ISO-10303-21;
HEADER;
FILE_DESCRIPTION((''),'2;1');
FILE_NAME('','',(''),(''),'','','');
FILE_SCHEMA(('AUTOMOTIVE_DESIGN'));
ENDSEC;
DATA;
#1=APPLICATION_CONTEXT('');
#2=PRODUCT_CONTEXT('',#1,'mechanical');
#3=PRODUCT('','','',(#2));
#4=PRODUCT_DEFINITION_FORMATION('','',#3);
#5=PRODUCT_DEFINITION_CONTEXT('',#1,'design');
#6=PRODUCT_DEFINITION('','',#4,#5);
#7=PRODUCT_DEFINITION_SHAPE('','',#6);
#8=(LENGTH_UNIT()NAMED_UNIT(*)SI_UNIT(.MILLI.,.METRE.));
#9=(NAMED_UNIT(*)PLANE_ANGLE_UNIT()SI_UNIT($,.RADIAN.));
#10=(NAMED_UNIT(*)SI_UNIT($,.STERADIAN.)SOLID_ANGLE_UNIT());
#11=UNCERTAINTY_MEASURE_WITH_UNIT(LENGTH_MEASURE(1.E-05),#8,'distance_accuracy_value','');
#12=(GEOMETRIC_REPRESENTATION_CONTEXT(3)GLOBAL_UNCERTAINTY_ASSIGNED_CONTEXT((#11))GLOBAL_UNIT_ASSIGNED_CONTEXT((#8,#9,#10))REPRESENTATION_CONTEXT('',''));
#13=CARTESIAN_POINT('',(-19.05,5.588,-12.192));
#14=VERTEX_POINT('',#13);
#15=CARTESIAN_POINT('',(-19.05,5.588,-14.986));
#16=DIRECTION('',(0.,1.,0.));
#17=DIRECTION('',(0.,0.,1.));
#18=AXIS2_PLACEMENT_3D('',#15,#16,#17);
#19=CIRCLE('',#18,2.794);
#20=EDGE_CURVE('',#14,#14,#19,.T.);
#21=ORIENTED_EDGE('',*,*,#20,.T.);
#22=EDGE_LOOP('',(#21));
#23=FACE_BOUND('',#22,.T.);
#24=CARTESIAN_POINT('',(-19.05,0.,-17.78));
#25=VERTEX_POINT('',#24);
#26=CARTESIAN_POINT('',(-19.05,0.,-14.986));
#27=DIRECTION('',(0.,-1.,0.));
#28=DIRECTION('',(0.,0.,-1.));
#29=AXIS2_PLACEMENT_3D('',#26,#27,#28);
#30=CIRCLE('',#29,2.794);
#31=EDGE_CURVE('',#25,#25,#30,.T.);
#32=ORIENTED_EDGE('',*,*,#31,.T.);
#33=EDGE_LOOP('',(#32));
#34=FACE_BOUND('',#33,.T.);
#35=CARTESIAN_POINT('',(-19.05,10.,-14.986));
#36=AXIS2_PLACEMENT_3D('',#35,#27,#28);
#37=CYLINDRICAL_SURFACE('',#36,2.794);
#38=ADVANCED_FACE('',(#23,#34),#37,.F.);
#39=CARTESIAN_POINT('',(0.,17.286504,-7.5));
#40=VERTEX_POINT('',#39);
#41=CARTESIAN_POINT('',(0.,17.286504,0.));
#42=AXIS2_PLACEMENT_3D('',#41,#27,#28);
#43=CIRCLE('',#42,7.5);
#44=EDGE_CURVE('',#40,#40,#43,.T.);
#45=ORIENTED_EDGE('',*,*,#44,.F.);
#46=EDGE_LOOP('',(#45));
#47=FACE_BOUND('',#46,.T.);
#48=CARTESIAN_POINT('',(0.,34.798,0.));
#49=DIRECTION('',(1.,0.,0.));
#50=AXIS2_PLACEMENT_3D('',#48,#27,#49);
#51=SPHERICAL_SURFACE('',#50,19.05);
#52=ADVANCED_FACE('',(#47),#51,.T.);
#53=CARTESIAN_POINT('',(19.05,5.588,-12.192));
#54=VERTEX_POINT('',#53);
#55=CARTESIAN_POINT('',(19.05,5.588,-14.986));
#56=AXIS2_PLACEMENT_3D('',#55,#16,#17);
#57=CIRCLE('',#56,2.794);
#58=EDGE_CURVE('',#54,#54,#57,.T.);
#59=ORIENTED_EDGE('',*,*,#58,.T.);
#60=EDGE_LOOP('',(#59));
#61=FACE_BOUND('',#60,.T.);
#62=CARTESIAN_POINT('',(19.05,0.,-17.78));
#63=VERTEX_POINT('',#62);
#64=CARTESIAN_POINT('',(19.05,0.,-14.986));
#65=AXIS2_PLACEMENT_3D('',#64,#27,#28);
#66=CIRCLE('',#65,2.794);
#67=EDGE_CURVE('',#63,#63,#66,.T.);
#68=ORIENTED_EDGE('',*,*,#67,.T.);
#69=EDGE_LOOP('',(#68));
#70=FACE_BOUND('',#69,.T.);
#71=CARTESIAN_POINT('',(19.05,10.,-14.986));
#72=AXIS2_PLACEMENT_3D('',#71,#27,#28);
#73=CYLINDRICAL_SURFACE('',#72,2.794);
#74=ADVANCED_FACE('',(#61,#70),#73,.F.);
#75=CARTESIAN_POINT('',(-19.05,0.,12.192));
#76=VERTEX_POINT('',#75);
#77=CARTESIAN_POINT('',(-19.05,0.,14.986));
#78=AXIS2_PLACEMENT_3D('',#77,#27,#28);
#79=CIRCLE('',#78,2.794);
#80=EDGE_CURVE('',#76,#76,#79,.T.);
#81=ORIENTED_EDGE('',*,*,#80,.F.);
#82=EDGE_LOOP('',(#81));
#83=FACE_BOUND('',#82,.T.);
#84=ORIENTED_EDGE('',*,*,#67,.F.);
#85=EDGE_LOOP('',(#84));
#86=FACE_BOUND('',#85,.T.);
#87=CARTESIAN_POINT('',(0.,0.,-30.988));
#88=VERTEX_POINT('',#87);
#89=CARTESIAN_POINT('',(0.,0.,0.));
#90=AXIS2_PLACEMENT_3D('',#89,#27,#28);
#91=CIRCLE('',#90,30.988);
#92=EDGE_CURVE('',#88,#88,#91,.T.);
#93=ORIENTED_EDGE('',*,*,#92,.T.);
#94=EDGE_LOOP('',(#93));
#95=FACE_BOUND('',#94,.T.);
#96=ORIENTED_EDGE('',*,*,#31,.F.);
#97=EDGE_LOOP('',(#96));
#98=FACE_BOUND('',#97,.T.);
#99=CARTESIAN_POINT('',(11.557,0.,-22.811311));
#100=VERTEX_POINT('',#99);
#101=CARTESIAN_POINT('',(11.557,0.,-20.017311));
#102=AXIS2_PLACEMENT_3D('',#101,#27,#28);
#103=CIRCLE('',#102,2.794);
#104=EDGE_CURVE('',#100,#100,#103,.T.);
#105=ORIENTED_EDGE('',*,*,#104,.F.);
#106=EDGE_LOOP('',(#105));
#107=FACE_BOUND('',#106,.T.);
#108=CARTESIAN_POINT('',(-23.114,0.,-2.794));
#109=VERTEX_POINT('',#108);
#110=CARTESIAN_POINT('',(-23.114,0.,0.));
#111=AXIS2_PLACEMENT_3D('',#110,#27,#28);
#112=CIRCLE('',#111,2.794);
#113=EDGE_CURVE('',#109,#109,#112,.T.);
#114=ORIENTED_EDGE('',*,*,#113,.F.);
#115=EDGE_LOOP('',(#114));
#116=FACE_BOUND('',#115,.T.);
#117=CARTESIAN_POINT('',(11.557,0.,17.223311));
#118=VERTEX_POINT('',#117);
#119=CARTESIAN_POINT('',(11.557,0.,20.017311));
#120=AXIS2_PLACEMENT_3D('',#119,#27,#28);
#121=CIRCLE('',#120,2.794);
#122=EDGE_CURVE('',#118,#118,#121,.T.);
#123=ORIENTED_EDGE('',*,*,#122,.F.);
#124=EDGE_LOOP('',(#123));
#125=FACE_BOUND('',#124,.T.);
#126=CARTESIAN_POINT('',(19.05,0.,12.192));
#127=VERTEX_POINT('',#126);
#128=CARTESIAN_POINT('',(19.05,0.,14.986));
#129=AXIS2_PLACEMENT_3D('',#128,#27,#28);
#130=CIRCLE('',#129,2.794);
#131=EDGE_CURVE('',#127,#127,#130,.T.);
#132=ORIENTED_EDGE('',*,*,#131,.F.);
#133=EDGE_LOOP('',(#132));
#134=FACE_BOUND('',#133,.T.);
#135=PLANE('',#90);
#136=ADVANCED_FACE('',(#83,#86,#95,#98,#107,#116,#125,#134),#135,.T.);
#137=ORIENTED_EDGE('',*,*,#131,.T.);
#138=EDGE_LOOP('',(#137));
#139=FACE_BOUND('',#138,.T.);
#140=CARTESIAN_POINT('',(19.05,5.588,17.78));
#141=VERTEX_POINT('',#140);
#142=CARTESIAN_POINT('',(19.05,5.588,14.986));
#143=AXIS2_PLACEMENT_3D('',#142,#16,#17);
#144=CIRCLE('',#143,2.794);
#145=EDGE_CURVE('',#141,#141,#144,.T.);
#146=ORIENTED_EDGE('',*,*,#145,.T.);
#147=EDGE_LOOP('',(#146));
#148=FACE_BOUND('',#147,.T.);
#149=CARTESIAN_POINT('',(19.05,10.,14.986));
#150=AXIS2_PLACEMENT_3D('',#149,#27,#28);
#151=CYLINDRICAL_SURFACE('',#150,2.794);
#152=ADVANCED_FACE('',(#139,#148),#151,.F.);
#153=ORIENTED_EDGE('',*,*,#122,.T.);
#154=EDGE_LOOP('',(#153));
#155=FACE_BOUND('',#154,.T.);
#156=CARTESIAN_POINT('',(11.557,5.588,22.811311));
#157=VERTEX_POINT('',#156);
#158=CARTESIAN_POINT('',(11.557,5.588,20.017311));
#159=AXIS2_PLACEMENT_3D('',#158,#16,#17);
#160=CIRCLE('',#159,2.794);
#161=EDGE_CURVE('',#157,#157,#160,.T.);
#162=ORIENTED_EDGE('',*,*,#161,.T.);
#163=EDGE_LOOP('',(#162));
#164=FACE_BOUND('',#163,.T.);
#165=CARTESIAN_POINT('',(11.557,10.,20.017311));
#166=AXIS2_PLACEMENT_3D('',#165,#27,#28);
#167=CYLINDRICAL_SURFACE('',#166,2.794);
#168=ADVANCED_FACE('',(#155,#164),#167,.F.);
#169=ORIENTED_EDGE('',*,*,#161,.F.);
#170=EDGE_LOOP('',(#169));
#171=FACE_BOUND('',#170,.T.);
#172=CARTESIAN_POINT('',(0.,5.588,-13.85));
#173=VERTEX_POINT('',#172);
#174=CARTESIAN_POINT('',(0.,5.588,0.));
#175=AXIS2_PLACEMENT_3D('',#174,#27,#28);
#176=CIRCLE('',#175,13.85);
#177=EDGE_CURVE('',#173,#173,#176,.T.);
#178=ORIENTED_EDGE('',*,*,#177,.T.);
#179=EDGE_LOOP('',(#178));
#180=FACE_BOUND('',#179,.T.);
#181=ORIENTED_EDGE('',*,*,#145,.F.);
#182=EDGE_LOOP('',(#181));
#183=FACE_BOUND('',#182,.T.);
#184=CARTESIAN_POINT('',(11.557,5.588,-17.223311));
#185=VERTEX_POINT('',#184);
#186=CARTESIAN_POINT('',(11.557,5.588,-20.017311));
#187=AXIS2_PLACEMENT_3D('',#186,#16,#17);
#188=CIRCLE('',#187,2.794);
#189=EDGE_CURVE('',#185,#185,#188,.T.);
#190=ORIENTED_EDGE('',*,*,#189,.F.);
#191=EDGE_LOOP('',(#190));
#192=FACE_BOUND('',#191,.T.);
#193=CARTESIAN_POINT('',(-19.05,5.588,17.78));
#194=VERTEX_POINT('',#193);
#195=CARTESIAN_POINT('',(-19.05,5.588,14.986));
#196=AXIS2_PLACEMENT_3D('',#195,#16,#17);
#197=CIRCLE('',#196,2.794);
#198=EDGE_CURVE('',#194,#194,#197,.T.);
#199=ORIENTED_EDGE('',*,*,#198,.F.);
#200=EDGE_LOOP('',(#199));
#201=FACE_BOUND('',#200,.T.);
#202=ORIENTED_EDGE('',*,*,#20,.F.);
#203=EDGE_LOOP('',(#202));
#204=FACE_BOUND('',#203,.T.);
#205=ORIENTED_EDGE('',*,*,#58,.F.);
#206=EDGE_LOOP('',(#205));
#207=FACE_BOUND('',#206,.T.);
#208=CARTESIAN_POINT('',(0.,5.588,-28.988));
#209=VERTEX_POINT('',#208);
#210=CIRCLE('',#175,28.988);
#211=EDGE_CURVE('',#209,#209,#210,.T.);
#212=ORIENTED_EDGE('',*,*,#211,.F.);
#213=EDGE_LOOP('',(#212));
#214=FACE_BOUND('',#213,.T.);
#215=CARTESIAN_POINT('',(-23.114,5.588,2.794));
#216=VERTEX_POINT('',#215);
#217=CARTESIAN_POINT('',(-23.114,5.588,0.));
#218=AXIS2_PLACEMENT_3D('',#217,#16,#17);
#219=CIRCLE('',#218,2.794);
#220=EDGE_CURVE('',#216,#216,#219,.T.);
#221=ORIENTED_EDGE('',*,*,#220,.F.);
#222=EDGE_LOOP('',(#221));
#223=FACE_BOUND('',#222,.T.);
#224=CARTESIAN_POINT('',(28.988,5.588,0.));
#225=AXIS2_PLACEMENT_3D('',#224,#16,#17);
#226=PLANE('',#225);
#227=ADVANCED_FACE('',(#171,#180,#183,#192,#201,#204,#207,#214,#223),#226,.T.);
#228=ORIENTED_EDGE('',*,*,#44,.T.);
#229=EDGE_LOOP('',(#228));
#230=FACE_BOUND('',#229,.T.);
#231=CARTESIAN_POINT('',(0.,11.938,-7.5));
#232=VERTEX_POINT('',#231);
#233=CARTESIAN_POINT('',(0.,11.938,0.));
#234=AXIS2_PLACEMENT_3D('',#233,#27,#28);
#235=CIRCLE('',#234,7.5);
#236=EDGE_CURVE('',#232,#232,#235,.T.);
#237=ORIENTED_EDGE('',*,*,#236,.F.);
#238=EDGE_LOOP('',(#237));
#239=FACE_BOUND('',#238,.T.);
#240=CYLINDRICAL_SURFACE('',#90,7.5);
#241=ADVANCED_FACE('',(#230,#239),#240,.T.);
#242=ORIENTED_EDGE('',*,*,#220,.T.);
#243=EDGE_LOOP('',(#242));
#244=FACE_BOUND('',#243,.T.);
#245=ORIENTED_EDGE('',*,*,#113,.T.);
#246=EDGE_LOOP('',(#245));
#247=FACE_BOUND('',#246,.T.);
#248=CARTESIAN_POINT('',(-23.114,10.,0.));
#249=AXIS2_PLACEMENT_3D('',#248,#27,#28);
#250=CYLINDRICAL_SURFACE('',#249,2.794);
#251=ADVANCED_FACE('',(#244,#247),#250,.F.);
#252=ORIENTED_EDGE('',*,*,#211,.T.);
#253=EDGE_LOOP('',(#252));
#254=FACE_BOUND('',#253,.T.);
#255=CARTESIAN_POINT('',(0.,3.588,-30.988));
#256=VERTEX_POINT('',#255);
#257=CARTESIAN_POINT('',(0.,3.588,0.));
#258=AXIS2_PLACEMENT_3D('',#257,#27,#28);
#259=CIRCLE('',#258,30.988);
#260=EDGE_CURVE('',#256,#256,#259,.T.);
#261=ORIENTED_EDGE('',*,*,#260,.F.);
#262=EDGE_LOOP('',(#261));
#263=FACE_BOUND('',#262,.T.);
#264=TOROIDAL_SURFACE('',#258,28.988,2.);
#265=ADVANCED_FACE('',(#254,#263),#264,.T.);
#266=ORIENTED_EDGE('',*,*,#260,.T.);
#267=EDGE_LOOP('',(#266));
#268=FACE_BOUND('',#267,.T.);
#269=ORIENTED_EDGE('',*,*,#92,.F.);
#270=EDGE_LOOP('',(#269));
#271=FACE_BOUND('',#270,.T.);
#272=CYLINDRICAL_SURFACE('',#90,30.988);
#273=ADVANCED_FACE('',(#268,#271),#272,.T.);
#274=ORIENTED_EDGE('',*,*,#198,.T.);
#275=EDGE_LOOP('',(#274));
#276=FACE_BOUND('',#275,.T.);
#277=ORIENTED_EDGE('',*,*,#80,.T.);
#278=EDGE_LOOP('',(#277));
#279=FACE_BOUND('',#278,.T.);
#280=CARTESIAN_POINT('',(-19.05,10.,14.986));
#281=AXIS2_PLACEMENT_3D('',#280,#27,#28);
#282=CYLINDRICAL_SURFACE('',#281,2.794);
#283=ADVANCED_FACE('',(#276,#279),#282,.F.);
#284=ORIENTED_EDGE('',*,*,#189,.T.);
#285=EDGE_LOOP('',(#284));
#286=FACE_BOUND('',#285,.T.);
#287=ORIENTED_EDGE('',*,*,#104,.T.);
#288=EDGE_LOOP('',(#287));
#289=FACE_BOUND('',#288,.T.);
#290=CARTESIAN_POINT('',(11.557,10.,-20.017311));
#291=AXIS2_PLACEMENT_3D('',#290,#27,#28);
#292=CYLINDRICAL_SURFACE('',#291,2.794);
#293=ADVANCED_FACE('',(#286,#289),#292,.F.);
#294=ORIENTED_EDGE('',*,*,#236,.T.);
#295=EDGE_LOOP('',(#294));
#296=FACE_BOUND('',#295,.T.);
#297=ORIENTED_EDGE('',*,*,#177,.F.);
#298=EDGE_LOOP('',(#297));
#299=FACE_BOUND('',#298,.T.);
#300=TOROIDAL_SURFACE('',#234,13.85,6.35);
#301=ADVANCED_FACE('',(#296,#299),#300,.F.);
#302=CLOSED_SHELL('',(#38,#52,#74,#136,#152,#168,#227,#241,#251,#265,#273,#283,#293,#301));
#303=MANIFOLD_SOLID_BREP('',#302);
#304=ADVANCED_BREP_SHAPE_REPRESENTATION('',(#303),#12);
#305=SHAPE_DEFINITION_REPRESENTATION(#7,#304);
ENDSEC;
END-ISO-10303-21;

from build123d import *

# Parameters (mm, degrees)
SKETCH2_R          = 2.794
CUT_EXTRUDE1_DEPTH = 10


with BuildPart() as part:
    # Sketch1 → Revolve1 (revolve)
    with BuildSketch(Plane.XY, mode=Mode.PRIVATE) as revolve1_sk:
        with BuildLine():
            Line((0, 0), (30.988, 0))
            Line((30.988, 0), (30.988, 3.588))
            ThreePointArc((30.988, 3.588), (30.402213562, 5.002213562), (28.988, 5.588))
            Line((28.988, 5.588), (13.85, 5.588))
            ThreePointArc((13.85, 5.588), (9.359871939, 7.447871939), (7.5, 11.938))
            Line((7.5, 11.938), (7.5, 17.286503776))
            ThreePointArc((7.5, 17.286503776), (18.661410759, 38.626086789), (0, 53.848))
            Line((0, 53.848), (0, 0))
        make_face()
    revolve(revolve1_sk.sketch.rotate(Axis((0, 0, 0), (0, 1, 0)), 90), axis=Axis((0, 0, 0), (0, 1, 0)))

    # Sketch2 → Cut-Extrude1 (cut)
    with BuildSketch(Plane.XZ):
        with Locations(Location((-23.114, 0, 0), (0, 0, 270))):
            Circle(SKETCH2_R)
        with Locations(Location((11.557, 20.017311183, 0), (0, 0, 270))):
            Circle(SKETCH2_R)
        with Locations(Location((11.557, -20.017311183, 0), (0, 0, 270))):
            Circle(SKETCH2_R)
        with Locations(Location((-19.05, 14.986, 0), (0, 0, 270))):
            Circle(SKETCH2_R)
        with Locations(Location((19.05, 14.986, 0), (0, 0, 270))):
            Circle(SKETCH2_R)
        with Locations(Location((19.05, -14.986, 0), (0, 0, 270))):
            Circle(SKETCH2_R)
        with Locations(Location((-19.05, -14.986, 0), (0, 0, 270))):
            Circle(SKETCH2_R)
    extrude(amount=-CUT_EXTRUDE1_DEPTH, mode=Mode.SUBTRACT)


solid = part.part
